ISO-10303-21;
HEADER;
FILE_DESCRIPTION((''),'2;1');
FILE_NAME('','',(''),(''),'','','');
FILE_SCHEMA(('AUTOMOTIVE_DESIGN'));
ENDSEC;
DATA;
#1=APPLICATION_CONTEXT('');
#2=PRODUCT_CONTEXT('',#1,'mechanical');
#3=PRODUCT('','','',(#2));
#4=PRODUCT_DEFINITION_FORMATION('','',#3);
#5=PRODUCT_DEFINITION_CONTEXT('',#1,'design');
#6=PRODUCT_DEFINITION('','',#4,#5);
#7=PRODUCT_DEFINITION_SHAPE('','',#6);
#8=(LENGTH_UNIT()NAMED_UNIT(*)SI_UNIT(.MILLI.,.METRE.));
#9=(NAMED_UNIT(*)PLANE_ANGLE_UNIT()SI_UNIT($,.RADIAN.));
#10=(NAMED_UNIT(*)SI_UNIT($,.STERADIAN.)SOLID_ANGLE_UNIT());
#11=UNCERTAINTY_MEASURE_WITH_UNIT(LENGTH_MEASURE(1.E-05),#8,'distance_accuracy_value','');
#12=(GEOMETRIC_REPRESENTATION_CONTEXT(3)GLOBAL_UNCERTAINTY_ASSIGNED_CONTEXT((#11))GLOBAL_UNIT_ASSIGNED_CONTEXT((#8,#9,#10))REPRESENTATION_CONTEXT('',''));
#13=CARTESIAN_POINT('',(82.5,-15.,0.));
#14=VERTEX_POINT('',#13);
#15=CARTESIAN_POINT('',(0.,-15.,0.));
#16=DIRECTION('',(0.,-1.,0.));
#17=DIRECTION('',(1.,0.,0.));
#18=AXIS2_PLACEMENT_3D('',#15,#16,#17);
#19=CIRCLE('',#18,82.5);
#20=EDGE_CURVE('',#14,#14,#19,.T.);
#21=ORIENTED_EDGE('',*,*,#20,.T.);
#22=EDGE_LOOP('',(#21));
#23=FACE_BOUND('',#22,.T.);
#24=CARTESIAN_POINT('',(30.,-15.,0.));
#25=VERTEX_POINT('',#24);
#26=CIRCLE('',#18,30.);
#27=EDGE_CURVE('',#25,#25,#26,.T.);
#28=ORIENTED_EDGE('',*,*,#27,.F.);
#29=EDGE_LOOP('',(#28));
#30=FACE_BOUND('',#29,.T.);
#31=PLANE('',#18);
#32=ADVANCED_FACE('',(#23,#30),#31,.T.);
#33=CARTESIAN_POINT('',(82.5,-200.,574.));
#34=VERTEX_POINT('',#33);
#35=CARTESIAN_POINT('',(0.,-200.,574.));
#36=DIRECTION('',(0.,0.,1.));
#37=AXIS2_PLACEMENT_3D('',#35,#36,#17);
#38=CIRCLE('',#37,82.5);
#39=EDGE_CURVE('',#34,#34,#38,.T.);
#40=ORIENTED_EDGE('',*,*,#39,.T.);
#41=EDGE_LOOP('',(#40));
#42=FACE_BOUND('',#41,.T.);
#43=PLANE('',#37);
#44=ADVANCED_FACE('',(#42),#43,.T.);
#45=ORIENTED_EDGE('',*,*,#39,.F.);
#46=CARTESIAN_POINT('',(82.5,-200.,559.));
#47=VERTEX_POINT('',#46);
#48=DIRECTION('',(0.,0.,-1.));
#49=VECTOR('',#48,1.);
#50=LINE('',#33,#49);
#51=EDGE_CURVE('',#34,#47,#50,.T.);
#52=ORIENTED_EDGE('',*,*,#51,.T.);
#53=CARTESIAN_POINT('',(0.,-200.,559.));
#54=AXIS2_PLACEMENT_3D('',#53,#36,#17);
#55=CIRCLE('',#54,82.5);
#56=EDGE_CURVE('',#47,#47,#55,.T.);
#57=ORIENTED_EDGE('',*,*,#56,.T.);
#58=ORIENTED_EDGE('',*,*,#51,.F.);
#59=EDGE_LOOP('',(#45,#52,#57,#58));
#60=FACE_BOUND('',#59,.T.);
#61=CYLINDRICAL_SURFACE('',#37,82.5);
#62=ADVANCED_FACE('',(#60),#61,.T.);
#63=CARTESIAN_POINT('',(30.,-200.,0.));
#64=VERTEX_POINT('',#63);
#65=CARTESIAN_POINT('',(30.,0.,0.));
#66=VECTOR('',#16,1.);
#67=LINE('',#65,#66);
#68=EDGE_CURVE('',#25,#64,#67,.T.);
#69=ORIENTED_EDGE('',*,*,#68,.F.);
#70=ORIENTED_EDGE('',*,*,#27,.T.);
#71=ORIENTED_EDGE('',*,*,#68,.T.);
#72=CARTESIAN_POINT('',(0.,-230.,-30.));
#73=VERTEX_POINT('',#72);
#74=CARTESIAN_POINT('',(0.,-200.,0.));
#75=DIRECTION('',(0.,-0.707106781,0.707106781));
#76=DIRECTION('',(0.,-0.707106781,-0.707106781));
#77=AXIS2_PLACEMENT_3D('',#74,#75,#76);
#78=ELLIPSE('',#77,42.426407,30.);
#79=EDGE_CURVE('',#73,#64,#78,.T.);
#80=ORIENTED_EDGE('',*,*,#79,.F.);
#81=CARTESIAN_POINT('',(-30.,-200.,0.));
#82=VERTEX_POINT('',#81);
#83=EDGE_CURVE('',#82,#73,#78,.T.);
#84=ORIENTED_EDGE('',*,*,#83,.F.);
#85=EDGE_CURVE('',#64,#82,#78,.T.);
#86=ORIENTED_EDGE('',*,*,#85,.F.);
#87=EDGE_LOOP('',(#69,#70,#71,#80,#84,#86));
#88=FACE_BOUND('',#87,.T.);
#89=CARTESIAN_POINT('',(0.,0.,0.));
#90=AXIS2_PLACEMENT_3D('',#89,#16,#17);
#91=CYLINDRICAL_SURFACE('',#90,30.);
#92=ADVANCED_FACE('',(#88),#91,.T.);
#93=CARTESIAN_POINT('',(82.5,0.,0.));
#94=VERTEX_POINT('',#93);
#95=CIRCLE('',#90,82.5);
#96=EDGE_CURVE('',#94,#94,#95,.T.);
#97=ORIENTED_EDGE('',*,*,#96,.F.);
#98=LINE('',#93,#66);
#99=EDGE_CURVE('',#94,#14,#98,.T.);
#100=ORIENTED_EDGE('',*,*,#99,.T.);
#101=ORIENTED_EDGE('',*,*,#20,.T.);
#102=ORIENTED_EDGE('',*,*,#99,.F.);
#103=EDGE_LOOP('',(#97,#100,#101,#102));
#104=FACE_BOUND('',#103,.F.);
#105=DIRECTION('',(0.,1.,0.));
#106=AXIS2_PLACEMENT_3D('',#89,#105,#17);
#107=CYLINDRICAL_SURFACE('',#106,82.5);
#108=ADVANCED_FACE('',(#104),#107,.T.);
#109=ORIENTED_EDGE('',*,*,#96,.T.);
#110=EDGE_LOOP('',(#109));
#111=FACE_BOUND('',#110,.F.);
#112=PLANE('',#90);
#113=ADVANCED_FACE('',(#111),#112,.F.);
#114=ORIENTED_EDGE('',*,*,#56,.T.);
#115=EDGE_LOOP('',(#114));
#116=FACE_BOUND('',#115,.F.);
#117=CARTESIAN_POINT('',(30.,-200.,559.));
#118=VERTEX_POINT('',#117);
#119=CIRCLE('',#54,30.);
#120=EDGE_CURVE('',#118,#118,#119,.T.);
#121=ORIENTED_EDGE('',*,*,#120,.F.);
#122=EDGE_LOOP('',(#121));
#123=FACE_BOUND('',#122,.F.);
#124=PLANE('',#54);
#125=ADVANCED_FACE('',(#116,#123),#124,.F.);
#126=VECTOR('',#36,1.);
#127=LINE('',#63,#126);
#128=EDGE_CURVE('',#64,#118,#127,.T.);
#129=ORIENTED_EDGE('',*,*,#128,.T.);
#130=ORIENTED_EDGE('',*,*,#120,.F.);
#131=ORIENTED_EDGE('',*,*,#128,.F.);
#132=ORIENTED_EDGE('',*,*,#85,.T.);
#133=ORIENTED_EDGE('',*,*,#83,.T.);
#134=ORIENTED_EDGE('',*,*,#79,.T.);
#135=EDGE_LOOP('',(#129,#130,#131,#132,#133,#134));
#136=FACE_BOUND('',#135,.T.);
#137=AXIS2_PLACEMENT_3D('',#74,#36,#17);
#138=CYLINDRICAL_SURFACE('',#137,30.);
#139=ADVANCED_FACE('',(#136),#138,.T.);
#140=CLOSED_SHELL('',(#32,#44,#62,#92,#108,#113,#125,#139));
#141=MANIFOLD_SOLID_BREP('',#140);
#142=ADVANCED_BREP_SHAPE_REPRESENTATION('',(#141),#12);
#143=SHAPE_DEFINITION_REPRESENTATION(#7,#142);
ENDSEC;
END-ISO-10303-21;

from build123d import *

# Parameters (mm, degrees)
F0_R     = 30
F0_R_2   = 82.5
F3_DEPTH = 15
F4_R     = 82.5
F4_R_2   = 30
F5_DEPTH = 15


with BuildPart() as f2:
    # F2: sweep along a path in F1
    with BuildLine(Plane.YZ) as f2_path:
        Line((0, 0), (-200, 0))
        Line((-200, 0), (-200, 574))
    # F0 (on Front) → F2 (sweep)
    with BuildSketch(Plane.XZ):
        Circle(F0_R)
    sweep(path=f2_path.line, transition=Transition.RIGHT)

    # F0 (on Front) → F3 (join)
    with BuildSketch(Plane.XZ):
        Circle(F0_R_2)
        Circle(F0_R, mode=Mode.SUBTRACT)
    extrude(amount=F3_DEPTH)

    # F4 (on face) → F5 (join)
    with BuildSketch(Plane.XY.offset(574)):
        with Locations((0, -200)):
            Circle(F4_R)
        with Locations((0, -200)):
            Circle(F4_R_2, mode=Mode.SUBTRACT)
    extrude(amount=-F5_DEPTH)


solid = f2.part
